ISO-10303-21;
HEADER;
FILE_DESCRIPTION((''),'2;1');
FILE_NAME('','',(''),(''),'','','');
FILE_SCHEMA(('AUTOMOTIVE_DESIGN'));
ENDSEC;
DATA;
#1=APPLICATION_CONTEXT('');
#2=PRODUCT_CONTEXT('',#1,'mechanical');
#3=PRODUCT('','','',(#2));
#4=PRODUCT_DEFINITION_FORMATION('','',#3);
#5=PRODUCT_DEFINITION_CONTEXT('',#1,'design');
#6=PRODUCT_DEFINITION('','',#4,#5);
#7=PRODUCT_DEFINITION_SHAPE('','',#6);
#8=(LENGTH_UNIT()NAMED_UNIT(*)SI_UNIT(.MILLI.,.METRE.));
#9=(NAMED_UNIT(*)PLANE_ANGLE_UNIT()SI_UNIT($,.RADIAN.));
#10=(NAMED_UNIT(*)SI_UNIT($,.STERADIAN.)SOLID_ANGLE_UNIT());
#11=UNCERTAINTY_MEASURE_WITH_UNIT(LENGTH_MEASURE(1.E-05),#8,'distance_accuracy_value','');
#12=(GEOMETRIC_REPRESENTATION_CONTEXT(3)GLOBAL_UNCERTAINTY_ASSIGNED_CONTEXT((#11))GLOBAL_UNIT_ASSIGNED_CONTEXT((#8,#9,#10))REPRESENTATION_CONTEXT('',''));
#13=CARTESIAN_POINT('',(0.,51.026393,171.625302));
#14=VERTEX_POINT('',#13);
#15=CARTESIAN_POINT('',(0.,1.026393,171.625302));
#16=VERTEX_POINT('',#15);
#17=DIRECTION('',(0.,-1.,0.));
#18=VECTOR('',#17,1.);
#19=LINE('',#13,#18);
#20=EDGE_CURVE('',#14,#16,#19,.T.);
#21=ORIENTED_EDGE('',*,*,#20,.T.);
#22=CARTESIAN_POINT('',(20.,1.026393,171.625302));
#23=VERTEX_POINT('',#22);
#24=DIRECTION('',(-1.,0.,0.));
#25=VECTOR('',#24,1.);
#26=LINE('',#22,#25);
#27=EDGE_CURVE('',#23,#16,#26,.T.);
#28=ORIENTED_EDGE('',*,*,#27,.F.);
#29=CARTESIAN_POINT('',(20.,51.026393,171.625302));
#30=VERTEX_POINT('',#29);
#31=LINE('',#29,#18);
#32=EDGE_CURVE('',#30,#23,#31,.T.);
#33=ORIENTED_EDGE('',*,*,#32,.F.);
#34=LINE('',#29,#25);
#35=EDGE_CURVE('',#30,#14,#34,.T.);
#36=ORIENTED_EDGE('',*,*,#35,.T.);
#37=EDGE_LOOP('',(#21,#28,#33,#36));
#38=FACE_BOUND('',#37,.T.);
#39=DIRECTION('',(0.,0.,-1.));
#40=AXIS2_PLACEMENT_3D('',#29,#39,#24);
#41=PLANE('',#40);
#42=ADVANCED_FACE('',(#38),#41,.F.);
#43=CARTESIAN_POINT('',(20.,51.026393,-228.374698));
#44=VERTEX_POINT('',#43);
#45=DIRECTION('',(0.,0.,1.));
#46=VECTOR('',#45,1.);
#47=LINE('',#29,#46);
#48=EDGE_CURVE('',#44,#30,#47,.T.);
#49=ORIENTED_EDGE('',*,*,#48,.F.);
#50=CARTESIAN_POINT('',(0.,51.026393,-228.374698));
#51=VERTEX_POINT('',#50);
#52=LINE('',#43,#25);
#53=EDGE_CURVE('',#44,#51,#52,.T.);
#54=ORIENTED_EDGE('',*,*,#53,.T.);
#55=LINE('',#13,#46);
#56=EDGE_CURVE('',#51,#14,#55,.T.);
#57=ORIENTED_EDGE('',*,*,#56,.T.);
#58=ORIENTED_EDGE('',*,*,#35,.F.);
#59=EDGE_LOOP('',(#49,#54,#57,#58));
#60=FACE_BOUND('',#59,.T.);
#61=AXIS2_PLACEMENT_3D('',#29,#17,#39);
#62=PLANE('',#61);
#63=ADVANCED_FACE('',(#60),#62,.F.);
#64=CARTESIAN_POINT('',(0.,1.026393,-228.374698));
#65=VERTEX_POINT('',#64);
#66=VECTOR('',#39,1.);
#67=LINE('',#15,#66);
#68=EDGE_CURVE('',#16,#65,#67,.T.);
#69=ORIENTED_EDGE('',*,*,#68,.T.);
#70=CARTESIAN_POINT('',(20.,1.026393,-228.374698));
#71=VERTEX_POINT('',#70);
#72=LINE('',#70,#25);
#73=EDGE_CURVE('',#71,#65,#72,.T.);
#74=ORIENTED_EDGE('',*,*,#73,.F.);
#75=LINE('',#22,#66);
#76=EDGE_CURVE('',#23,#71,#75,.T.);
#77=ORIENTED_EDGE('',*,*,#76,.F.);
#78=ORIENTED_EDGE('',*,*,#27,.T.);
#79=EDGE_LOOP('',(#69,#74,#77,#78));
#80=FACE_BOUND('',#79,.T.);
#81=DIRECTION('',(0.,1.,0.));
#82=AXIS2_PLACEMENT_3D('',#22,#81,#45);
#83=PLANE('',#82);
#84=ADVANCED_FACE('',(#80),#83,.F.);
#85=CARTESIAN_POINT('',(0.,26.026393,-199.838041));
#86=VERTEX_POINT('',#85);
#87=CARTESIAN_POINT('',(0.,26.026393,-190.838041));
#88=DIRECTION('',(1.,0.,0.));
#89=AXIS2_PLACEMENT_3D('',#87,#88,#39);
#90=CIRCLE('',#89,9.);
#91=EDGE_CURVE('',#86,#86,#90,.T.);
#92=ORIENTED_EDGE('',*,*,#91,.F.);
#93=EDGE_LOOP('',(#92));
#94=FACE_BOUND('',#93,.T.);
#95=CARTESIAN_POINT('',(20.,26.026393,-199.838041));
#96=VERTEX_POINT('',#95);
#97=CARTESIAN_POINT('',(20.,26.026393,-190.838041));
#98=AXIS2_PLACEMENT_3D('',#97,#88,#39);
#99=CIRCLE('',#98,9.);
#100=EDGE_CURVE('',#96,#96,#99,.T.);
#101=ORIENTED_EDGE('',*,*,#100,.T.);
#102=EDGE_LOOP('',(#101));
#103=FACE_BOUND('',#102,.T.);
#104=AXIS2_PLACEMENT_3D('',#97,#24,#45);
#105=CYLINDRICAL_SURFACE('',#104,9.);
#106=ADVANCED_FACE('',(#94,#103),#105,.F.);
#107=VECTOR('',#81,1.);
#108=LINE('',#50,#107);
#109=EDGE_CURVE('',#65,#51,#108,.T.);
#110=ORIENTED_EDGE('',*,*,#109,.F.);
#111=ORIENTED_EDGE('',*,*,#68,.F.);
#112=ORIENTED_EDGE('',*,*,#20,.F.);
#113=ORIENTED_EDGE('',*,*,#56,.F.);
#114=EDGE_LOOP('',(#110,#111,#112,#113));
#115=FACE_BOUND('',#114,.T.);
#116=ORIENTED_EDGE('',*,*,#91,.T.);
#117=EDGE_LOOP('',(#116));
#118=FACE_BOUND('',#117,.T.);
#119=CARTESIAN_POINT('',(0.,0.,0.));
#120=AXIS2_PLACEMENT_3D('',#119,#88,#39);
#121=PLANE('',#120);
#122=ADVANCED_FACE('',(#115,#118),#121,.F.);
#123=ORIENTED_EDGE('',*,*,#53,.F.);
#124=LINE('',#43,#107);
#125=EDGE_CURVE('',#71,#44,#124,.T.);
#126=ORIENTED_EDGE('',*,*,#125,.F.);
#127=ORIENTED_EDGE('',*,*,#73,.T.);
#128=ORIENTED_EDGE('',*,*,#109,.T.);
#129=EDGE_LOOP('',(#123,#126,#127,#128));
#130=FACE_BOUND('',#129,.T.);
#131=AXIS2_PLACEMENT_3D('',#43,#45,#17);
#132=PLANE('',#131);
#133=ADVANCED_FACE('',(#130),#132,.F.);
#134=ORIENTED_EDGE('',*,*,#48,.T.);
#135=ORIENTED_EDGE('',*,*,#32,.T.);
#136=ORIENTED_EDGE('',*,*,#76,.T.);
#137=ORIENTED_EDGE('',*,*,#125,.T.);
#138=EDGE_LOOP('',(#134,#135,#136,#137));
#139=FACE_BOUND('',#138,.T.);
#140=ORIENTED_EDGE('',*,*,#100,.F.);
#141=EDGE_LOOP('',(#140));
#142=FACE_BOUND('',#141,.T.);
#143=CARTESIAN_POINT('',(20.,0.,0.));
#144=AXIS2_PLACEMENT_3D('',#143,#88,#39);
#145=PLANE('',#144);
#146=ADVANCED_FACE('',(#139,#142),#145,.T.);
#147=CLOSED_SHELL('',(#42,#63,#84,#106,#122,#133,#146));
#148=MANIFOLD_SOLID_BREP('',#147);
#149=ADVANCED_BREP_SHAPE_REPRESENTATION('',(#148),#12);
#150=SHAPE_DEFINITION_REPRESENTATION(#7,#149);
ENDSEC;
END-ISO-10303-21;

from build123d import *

# Parameters (mm, degrees)
SKETCH1_W           = 400
SKETCH1_H           = 50
SKETCH1_R           = 9
BOSS_EXTRUDE1_DEPTH = 20


with BuildPart() as part:
    # Sketch1 → Boss-Extrude1 (new body)
    with BuildSketch(Plane(origin=(0, 0, 0), x_dir=(0, 0, -1), z_dir=(1, 0, 0))):
        with Locations((28.374697864, 26.026392962)):
            Rectangle(SKETCH1_W, SKETCH1_H)
        with Locations((190.838040972, 26.026392962)):
            Circle(SKETCH1_R, mode=Mode.SUBTRACT)
    extrude(amount=BOSS_EXTRUDE1_DEPTH)


solid = part.part
